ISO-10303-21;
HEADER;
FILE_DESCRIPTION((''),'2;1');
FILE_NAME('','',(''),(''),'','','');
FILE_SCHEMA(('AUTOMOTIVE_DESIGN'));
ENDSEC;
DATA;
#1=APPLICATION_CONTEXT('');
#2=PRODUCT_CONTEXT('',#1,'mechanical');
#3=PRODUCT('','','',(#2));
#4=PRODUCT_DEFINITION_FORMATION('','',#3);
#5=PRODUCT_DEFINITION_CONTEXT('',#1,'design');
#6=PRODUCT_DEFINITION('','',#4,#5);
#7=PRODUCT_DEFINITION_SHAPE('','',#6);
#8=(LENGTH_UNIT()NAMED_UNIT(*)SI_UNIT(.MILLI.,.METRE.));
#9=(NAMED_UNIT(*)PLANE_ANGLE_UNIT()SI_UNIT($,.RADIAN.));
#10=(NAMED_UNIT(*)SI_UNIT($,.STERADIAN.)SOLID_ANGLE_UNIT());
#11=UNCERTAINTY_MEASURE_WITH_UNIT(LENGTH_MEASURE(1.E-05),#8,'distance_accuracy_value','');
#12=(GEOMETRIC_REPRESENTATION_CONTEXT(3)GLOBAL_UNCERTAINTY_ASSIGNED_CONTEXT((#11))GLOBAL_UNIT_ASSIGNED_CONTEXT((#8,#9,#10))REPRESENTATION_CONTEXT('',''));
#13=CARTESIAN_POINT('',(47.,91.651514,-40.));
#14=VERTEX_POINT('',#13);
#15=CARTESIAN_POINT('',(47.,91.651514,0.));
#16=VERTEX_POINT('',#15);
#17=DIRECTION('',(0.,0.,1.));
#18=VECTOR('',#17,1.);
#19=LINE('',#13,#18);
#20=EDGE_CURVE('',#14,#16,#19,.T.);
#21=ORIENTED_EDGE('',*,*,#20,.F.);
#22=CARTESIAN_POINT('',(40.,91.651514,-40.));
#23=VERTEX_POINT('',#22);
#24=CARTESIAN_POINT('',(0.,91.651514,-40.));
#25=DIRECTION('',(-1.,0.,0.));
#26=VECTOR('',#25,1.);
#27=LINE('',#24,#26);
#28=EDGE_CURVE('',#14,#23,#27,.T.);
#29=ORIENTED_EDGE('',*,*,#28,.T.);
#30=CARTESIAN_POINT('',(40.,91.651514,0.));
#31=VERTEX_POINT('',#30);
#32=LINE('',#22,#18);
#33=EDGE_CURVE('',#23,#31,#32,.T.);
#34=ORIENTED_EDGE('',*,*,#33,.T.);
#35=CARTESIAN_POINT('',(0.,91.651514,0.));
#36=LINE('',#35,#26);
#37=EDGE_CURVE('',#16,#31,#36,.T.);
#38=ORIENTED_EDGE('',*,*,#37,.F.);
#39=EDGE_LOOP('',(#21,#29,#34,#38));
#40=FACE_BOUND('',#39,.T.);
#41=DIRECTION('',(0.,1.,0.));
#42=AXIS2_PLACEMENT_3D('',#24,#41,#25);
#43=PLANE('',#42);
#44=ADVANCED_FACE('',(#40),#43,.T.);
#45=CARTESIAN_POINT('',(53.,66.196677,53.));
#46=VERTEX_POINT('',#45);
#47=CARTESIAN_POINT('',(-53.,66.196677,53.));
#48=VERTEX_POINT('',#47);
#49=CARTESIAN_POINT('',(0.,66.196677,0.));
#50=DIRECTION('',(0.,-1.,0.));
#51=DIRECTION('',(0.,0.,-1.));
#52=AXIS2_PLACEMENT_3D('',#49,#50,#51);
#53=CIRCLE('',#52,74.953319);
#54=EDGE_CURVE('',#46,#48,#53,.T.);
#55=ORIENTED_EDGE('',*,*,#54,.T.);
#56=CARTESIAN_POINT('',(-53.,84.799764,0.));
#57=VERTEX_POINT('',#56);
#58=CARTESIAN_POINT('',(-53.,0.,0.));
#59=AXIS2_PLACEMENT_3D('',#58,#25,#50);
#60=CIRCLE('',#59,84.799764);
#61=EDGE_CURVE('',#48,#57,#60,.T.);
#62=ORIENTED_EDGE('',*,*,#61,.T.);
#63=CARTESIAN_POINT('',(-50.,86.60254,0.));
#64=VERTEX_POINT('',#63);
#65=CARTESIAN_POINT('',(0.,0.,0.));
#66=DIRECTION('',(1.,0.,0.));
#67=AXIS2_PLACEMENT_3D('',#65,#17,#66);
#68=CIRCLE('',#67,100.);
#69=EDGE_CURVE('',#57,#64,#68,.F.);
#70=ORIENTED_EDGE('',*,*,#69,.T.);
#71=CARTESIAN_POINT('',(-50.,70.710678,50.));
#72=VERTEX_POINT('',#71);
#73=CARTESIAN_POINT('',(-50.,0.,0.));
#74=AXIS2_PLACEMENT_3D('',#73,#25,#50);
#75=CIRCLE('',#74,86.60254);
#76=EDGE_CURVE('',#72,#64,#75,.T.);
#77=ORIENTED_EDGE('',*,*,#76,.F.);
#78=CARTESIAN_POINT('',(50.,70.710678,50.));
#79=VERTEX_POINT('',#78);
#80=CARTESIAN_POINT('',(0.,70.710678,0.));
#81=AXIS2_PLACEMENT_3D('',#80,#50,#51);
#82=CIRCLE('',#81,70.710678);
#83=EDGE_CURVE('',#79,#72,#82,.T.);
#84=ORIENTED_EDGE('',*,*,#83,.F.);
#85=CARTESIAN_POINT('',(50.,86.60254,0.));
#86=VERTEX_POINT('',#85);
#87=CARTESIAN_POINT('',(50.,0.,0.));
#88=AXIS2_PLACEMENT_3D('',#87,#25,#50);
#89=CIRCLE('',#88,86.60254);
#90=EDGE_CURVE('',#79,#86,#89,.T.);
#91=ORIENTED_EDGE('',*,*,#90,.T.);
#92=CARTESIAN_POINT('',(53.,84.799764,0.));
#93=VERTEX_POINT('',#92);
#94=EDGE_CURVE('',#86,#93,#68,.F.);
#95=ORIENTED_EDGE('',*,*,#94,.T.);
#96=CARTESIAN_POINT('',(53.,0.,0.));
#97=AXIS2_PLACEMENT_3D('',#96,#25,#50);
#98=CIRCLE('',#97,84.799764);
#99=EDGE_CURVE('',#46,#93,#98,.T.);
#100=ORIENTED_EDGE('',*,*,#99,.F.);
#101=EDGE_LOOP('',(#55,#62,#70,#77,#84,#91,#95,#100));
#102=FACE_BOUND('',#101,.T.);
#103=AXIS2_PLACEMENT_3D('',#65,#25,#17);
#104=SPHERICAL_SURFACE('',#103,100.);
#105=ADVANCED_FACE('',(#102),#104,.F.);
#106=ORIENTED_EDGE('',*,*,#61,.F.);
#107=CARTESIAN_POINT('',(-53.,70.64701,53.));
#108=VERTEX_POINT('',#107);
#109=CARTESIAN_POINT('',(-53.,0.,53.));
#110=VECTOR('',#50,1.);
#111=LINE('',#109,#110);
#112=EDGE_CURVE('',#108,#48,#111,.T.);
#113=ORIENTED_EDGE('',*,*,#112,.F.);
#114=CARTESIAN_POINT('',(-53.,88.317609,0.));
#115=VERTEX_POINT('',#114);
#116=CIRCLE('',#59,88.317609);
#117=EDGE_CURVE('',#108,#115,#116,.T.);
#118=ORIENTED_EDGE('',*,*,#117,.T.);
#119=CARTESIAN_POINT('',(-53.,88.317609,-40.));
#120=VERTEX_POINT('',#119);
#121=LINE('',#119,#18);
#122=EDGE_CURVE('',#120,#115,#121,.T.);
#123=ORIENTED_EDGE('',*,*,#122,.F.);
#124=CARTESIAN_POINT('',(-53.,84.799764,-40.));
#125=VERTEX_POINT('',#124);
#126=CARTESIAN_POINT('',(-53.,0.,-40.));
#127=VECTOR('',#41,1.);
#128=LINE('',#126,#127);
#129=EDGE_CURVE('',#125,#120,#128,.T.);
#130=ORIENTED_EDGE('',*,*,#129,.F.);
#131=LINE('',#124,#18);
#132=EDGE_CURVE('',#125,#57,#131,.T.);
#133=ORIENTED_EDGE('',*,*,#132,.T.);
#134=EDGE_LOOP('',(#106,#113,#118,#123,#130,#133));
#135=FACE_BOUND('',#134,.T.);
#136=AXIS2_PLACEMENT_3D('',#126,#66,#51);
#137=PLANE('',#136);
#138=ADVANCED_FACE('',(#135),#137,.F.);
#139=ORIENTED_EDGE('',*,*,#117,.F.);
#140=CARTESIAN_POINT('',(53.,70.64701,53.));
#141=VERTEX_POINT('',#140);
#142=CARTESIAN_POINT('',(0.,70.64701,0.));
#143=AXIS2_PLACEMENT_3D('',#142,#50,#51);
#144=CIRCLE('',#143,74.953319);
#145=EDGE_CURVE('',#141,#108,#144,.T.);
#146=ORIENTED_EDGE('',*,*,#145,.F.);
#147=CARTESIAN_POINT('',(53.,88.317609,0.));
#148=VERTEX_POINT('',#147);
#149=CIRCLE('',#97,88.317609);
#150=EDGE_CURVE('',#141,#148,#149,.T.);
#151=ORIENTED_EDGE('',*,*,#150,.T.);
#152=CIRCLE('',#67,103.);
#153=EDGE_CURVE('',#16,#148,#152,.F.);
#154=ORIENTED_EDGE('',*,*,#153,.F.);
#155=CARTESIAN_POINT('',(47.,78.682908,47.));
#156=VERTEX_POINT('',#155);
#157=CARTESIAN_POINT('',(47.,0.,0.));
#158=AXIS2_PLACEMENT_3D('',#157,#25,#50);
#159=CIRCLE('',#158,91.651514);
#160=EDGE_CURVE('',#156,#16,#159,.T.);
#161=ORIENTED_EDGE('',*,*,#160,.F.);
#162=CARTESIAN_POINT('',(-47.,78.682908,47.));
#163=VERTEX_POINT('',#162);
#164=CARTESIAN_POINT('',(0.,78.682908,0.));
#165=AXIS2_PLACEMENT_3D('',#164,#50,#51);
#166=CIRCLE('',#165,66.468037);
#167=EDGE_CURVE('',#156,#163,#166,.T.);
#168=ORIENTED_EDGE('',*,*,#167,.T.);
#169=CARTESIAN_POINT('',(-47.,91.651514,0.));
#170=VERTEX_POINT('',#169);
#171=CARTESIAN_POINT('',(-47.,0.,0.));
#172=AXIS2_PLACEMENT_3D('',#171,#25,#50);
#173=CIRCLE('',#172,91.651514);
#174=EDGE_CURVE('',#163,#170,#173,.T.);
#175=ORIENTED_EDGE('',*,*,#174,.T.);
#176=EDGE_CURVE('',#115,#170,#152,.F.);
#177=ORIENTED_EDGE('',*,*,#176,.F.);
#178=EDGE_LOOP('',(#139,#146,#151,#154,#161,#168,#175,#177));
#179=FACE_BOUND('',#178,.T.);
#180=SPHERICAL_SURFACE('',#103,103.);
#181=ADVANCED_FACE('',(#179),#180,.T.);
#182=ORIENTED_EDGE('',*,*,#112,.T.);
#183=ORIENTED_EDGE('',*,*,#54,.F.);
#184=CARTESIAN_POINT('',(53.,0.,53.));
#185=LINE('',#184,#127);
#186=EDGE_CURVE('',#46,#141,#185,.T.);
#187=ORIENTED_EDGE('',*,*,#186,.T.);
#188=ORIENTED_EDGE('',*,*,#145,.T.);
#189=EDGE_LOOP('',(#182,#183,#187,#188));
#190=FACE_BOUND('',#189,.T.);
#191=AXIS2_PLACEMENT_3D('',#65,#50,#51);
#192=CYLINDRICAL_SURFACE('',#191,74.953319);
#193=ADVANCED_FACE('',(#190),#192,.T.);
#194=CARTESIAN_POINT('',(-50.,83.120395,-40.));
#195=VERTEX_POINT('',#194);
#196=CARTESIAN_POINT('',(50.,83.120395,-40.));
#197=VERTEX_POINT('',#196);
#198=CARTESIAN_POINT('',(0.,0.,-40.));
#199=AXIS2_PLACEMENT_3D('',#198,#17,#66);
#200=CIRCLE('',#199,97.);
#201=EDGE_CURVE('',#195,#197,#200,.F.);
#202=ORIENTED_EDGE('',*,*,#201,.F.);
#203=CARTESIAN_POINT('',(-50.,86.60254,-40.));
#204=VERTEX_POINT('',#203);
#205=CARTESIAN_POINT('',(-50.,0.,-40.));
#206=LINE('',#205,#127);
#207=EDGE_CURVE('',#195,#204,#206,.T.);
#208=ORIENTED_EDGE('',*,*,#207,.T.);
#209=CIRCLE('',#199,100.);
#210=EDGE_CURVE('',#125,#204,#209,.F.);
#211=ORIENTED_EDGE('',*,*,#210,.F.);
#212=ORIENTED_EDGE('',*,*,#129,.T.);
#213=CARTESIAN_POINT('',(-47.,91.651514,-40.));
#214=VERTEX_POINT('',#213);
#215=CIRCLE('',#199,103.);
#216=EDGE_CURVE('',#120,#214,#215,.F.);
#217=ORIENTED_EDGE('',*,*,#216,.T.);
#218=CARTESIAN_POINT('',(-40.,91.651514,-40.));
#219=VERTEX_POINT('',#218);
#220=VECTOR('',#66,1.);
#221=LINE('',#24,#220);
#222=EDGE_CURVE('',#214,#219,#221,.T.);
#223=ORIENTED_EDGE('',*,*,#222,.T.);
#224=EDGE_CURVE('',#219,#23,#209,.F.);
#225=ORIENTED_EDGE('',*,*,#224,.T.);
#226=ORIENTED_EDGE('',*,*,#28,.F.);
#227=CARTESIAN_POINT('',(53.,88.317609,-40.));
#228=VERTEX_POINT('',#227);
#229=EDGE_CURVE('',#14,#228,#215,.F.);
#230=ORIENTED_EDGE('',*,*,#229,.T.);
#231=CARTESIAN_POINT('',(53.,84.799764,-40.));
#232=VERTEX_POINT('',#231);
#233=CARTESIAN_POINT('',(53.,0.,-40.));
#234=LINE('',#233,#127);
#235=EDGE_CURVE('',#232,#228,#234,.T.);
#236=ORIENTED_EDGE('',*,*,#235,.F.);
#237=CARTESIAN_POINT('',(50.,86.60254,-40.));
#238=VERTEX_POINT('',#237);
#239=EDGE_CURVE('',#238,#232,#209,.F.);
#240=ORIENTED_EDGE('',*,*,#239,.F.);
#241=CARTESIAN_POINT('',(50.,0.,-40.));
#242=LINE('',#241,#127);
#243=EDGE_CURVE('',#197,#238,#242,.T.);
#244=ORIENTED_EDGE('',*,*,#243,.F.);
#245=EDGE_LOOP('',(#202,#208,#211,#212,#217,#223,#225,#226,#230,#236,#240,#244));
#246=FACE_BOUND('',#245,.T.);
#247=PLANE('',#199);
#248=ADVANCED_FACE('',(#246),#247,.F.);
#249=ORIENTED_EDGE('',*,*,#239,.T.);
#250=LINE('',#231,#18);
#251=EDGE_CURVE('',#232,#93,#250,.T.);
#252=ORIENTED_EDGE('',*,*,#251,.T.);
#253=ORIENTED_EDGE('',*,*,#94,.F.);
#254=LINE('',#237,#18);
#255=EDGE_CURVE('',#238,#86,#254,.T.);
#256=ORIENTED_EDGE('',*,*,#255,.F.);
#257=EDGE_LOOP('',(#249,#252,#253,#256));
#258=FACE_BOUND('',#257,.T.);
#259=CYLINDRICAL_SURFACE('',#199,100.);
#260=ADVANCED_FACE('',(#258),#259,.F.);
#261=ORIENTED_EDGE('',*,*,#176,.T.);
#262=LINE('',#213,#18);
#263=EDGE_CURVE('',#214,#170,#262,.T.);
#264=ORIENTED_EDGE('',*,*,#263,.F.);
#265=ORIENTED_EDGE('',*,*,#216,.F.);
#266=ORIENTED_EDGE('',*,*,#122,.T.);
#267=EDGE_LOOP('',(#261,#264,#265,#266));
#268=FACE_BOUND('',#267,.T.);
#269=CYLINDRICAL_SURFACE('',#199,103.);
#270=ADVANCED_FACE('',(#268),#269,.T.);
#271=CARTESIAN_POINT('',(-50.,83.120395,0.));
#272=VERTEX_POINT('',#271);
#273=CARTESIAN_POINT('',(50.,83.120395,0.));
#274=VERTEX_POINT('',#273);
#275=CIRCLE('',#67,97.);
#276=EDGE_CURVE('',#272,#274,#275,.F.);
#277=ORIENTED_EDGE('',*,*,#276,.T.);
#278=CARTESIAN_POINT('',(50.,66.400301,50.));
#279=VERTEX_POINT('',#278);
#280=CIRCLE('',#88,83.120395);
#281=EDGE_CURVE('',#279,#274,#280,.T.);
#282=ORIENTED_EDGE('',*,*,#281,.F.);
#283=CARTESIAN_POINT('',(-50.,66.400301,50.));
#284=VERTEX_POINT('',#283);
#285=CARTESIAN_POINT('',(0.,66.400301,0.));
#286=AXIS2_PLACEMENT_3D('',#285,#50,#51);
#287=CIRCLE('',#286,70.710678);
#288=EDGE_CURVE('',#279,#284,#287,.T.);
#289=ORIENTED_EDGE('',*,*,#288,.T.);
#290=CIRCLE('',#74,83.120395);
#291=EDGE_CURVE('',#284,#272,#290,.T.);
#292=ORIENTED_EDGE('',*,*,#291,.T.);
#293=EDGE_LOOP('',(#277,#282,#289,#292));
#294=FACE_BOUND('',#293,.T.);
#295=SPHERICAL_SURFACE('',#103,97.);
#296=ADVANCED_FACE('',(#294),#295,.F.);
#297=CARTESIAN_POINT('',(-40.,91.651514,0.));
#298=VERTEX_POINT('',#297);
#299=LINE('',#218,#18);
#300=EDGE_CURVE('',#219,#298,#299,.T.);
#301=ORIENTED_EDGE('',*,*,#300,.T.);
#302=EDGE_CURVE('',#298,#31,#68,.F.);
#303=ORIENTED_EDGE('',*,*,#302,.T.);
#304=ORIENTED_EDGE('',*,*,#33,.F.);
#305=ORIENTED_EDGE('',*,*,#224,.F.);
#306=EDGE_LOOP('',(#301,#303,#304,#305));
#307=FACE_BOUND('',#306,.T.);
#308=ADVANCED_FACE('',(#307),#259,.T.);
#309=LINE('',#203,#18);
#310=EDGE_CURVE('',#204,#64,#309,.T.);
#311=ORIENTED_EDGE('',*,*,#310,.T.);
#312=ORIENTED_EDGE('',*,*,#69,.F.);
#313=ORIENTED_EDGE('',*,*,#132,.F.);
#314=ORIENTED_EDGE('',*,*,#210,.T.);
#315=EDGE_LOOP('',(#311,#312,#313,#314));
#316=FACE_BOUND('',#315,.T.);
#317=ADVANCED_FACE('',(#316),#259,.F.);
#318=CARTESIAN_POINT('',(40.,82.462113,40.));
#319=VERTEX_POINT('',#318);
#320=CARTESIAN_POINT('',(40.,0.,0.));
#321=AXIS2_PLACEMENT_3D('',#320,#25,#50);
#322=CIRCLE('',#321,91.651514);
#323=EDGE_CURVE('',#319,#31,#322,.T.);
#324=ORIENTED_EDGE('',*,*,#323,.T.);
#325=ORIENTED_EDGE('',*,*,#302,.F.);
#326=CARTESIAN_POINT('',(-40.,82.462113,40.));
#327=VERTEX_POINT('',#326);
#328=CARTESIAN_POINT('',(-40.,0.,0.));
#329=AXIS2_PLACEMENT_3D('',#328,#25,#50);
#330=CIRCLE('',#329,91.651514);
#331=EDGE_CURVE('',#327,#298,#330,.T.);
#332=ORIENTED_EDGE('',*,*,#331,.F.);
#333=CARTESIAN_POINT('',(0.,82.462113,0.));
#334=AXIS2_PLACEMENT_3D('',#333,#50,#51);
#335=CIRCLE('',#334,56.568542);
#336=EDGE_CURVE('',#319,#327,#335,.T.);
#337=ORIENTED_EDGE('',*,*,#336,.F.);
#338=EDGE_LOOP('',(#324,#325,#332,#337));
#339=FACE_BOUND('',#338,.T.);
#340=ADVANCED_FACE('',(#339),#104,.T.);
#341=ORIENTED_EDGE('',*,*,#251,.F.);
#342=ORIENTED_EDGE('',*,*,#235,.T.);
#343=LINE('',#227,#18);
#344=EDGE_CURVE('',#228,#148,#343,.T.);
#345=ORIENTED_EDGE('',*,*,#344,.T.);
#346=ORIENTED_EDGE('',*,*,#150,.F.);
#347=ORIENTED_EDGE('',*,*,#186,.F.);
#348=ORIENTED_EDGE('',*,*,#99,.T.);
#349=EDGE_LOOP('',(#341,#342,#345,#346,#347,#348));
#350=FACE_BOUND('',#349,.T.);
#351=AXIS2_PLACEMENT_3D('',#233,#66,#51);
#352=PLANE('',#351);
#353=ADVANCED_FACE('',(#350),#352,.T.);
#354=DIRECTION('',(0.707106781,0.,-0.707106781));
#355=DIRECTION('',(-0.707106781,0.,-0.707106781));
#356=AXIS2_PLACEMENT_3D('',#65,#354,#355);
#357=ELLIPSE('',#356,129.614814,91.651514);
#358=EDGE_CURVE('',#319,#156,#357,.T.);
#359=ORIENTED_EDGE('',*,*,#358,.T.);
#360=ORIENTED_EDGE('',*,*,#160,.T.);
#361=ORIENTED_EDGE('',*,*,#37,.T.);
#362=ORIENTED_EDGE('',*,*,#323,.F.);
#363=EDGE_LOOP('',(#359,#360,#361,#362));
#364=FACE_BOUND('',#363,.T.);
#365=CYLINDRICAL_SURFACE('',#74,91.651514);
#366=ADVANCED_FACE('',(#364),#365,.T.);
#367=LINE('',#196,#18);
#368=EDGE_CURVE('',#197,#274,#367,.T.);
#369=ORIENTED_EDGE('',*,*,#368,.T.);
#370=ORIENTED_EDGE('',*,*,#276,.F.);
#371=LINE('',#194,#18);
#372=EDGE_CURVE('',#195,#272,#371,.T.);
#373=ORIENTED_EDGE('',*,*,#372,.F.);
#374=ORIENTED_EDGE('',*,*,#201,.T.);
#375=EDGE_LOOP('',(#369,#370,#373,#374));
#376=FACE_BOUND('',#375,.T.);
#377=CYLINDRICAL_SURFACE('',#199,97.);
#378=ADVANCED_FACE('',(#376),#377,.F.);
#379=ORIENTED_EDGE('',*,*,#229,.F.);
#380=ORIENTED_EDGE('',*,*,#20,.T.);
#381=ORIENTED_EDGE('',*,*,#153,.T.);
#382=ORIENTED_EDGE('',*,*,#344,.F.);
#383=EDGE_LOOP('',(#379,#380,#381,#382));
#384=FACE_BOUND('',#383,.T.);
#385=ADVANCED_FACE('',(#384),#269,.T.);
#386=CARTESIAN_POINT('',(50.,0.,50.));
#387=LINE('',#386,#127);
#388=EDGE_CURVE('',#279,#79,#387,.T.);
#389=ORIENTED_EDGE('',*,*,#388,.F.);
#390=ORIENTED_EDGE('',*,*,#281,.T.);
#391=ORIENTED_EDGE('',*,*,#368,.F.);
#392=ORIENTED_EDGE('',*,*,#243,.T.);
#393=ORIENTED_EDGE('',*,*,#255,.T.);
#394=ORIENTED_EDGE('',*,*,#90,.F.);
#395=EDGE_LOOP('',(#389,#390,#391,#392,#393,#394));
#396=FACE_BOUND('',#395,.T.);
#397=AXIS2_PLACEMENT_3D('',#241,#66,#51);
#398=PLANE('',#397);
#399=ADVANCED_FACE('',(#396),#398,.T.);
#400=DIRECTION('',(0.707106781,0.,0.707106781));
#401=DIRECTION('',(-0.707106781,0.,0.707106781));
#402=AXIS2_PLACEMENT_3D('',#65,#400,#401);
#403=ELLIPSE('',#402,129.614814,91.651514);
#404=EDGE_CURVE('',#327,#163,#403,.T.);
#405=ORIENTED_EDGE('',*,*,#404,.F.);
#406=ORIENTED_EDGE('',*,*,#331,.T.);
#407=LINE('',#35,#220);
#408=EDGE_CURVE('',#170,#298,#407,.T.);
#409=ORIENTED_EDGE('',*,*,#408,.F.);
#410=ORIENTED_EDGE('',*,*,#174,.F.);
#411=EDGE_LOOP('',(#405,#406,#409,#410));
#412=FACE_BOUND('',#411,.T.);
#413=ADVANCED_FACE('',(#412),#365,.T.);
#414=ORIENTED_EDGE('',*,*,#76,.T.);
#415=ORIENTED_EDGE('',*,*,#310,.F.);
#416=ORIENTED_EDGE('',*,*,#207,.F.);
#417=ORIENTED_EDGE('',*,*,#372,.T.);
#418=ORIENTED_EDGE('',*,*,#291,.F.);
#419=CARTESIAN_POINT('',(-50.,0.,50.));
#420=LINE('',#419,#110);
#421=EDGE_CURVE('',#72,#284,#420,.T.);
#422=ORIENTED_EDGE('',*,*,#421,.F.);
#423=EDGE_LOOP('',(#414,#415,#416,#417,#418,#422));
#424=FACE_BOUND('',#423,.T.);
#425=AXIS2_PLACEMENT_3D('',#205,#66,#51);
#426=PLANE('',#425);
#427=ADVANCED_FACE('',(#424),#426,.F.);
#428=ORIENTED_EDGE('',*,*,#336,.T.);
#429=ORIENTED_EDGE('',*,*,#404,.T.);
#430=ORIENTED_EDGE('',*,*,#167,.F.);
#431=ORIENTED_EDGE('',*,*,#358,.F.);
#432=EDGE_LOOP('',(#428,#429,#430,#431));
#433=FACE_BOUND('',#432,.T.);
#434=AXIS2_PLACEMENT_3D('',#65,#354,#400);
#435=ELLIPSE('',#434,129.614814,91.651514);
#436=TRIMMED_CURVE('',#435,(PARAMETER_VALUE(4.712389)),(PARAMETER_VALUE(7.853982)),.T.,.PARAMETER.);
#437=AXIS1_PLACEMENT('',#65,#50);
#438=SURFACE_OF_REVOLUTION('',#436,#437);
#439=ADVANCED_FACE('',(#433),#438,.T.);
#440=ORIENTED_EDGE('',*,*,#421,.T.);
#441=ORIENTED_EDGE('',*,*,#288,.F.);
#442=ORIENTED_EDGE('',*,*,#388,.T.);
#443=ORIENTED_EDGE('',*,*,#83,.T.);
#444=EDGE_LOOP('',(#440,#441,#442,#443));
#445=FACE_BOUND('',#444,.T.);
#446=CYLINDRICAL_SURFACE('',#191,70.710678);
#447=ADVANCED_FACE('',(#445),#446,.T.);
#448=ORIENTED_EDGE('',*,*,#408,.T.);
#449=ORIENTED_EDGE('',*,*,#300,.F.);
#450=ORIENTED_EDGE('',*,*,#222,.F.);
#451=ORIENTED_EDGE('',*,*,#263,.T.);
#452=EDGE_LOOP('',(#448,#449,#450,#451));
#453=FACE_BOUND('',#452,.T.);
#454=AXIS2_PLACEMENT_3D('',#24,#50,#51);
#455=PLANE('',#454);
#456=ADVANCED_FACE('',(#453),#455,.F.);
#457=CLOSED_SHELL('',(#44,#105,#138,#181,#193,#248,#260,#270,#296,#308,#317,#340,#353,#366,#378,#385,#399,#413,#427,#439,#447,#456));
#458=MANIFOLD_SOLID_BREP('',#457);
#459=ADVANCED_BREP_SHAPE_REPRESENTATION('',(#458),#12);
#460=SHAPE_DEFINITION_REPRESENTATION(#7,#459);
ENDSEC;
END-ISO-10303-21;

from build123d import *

# Parameters (mm, degrees)
EXTRUDE_1225_DEPTH     = 40
REVOLVE_1722_ANGLE     = 90
CUT_EXTRUDE_2087_DEPTH = 101
REVOLVE_2693_ANGLE     = 90


with BuildPart() as part:
    # 草图1 → Extrude 1225 (new body)
    with BuildSketch(Plane.XY):
        with BuildLine():
            Line((-50, 86.602540378), (-50, 83.120394609))
            ThreePointArc((-50, 83.120394609), (0, 97), (50, 83.120394609))
            Line((50, 83.120394609), (50, 86.602540378))
            ThreePointArc((50, 86.602540378), (45.070755856, 89.267166229), (40, 91.651513899))
            ThreePointArc((40, 91.651513899), (0, 100), (-40, 91.651513899))
            ThreePointArc((-40, 91.651513899), (-45.070755856, 89.267166229), (-50, 86.602540378))
        make_face()
        with BuildLine():
            ThreePointArc((40, 91.651513899), (45.070755856, 89.267166229), (50, 86.602540378))
            Line((50, 86.602540378), (50, 90.049986119))
            ThreePointArc((50, 90.049986119), (48.506610094, 90.863132112), (47, 91.651513899))
            Line((47, 91.651513899), (40, 91.651513899))
        make_face()
        with BuildLine():
            Line((50, 90.049986119), (50, 86.602540378))
            ThreePointArc((50, 86.602540378), (51.507887751, 85.714278271), (53, 84.799764151))
            Line((53, 84.799764151), (53, 88.317608663))
            ThreePointArc((53, 88.317608663), (51.507283785, 89.196410898), (50, 90.049986119))
        make_face()
        with BuildLine():
            Line((-50, 90.049986119), (-50, 86.602540378))
            ThreePointArc((-50, 86.602540378), (-45.070755856, 89.267166229), (-40, 91.651513899))
            Line((-40, 91.651513899), (-47, 91.651513899))
            ThreePointArc((-47, 91.651513899), (-48.506610094, 90.863132112), (-50, 90.049986119))
        make_face()
        with BuildLine():
            ThreePointArc((-53, 84.799764151), (-51.507887751, 85.714278271), (-50, 86.602540378))
            Line((-50, 86.602540378), (-50, 90.049986119))
            ThreePointArc((-50, 90.049986119), (-51.507283785, 89.196410898), (-53, 88.317608663))
            Line((-53, 88.317608663), (-53, 84.799764151))
        make_face()
    extrude(amount=-EXTRUDE_1225_DEPTH)

    # 草图5 → Revolve 1722 (revolve)
    with BuildSketch(Plane.XY):
        with BuildLine():
            Line((-50, 86.602540378), (-50, 83.120394609))
            ThreePointArc((-50, 83.120394609), (0, 97), (50, 83.120394609))
            Line((50, 83.120394609), (50, 86.602540378))
            ThreePointArc((50, 86.602540378), (51.507887751, 85.714278271), (53, 84.799764151))
            Line((53, 84.799764151), (53, 88.317608663))
            ThreePointArc((53, 88.317608663), (50.027779593, 90.034555971), (47, 91.651513899))
            Line((47, 91.651513899), (40, 91.651513899))
            ThreePointArc((40, 91.651513899), (0, 100), (-40, 91.651513899))
            Line((-40, 91.651513899), (-47, 91.651513899))
            ThreePointArc((-47, 91.651513899), (-50.027779593, 90.034555971), (-53, 88.317608663))
            Line((-53, 88.317608663), (-53, 84.799764151))
            ThreePointArc((-53, 84.799764151), (-51.507887751, 85.714278271), (-50, 86.602540378))
        make_face()
    revolve(axis=Axis((-50, 0, 0), (1, 0, 0)), revolution_arc=REVOLVE_1722_ANGLE)

    # 草图6 → Cut-Extrude 2087 (cut, through all)
    with BuildSketch(Plane(origin=(0, 0, 0), x_dir=(1, 0, 0), z_dir=(0, 1, 0))):
        with BuildLine():
            Line((0, 0), (-84.852813742, -84.852813742))
            ThreePointArc((-84.852813742, -84.852813742), (0, -120), (84.852813742, -84.852813742))
            Line((84.852813742, -84.852813742), (0, 0))
        make_face()
    extrude(amount=CUT_EXTRUDE_2087_DEPTH, mode=Mode.SUBTRACT)

    # 草图7 → Revolve 2693 (revolve)
    with BuildSketch(Plane(origin=(0, 0, 0), x_dir=(0.707106781, 0, -0.707106781), z_dir=(0.707106781, 0, 0.707106781))):
        with BuildLine():
            Line((-74.953318806, 70.647009845), (-74.953318806, 66.196676654))
            ThreePointArc((-74.953318806, 66.196676654), (-72.866961322, 68.486538441), (-70.710678119, 70.710678119))
            Line((-70.710678119, 70.710678119), (-70.710678119, 66.400301204))
            ThreePointArc((-70.710678119, 66.400301204), (-38.52382888, 89.021989466), (0, 97))
            Line((0, 97), (0, 100))
            ThreePointArc((0, 100), (-29.612402374, 95.514949749), (-56.568542495, 82.462112512))
            add(Edge.make_bspline(
                [(-56.568542495, 82.462112512), (-61.63437241, 80.724547186), (-66.468037432, 78.682907928)],
                knots=[5.164022421, 5.164022421, 5.164022421, 5.250846104, 5.250846104, 5.250846104], degree=2, weights=[1, 0.999057854, 1]))
            ThreePointArc((-66.468037432, 78.682907928), (-70.824740836, 74.785400216), (-74.953318806, 70.647009845))
        make_face()
    revolve(axis=Axis((0, 0, 0), (0, 1, 0)), revolution_arc=REVOLVE_2693_ANGLE)


solid = part.part
